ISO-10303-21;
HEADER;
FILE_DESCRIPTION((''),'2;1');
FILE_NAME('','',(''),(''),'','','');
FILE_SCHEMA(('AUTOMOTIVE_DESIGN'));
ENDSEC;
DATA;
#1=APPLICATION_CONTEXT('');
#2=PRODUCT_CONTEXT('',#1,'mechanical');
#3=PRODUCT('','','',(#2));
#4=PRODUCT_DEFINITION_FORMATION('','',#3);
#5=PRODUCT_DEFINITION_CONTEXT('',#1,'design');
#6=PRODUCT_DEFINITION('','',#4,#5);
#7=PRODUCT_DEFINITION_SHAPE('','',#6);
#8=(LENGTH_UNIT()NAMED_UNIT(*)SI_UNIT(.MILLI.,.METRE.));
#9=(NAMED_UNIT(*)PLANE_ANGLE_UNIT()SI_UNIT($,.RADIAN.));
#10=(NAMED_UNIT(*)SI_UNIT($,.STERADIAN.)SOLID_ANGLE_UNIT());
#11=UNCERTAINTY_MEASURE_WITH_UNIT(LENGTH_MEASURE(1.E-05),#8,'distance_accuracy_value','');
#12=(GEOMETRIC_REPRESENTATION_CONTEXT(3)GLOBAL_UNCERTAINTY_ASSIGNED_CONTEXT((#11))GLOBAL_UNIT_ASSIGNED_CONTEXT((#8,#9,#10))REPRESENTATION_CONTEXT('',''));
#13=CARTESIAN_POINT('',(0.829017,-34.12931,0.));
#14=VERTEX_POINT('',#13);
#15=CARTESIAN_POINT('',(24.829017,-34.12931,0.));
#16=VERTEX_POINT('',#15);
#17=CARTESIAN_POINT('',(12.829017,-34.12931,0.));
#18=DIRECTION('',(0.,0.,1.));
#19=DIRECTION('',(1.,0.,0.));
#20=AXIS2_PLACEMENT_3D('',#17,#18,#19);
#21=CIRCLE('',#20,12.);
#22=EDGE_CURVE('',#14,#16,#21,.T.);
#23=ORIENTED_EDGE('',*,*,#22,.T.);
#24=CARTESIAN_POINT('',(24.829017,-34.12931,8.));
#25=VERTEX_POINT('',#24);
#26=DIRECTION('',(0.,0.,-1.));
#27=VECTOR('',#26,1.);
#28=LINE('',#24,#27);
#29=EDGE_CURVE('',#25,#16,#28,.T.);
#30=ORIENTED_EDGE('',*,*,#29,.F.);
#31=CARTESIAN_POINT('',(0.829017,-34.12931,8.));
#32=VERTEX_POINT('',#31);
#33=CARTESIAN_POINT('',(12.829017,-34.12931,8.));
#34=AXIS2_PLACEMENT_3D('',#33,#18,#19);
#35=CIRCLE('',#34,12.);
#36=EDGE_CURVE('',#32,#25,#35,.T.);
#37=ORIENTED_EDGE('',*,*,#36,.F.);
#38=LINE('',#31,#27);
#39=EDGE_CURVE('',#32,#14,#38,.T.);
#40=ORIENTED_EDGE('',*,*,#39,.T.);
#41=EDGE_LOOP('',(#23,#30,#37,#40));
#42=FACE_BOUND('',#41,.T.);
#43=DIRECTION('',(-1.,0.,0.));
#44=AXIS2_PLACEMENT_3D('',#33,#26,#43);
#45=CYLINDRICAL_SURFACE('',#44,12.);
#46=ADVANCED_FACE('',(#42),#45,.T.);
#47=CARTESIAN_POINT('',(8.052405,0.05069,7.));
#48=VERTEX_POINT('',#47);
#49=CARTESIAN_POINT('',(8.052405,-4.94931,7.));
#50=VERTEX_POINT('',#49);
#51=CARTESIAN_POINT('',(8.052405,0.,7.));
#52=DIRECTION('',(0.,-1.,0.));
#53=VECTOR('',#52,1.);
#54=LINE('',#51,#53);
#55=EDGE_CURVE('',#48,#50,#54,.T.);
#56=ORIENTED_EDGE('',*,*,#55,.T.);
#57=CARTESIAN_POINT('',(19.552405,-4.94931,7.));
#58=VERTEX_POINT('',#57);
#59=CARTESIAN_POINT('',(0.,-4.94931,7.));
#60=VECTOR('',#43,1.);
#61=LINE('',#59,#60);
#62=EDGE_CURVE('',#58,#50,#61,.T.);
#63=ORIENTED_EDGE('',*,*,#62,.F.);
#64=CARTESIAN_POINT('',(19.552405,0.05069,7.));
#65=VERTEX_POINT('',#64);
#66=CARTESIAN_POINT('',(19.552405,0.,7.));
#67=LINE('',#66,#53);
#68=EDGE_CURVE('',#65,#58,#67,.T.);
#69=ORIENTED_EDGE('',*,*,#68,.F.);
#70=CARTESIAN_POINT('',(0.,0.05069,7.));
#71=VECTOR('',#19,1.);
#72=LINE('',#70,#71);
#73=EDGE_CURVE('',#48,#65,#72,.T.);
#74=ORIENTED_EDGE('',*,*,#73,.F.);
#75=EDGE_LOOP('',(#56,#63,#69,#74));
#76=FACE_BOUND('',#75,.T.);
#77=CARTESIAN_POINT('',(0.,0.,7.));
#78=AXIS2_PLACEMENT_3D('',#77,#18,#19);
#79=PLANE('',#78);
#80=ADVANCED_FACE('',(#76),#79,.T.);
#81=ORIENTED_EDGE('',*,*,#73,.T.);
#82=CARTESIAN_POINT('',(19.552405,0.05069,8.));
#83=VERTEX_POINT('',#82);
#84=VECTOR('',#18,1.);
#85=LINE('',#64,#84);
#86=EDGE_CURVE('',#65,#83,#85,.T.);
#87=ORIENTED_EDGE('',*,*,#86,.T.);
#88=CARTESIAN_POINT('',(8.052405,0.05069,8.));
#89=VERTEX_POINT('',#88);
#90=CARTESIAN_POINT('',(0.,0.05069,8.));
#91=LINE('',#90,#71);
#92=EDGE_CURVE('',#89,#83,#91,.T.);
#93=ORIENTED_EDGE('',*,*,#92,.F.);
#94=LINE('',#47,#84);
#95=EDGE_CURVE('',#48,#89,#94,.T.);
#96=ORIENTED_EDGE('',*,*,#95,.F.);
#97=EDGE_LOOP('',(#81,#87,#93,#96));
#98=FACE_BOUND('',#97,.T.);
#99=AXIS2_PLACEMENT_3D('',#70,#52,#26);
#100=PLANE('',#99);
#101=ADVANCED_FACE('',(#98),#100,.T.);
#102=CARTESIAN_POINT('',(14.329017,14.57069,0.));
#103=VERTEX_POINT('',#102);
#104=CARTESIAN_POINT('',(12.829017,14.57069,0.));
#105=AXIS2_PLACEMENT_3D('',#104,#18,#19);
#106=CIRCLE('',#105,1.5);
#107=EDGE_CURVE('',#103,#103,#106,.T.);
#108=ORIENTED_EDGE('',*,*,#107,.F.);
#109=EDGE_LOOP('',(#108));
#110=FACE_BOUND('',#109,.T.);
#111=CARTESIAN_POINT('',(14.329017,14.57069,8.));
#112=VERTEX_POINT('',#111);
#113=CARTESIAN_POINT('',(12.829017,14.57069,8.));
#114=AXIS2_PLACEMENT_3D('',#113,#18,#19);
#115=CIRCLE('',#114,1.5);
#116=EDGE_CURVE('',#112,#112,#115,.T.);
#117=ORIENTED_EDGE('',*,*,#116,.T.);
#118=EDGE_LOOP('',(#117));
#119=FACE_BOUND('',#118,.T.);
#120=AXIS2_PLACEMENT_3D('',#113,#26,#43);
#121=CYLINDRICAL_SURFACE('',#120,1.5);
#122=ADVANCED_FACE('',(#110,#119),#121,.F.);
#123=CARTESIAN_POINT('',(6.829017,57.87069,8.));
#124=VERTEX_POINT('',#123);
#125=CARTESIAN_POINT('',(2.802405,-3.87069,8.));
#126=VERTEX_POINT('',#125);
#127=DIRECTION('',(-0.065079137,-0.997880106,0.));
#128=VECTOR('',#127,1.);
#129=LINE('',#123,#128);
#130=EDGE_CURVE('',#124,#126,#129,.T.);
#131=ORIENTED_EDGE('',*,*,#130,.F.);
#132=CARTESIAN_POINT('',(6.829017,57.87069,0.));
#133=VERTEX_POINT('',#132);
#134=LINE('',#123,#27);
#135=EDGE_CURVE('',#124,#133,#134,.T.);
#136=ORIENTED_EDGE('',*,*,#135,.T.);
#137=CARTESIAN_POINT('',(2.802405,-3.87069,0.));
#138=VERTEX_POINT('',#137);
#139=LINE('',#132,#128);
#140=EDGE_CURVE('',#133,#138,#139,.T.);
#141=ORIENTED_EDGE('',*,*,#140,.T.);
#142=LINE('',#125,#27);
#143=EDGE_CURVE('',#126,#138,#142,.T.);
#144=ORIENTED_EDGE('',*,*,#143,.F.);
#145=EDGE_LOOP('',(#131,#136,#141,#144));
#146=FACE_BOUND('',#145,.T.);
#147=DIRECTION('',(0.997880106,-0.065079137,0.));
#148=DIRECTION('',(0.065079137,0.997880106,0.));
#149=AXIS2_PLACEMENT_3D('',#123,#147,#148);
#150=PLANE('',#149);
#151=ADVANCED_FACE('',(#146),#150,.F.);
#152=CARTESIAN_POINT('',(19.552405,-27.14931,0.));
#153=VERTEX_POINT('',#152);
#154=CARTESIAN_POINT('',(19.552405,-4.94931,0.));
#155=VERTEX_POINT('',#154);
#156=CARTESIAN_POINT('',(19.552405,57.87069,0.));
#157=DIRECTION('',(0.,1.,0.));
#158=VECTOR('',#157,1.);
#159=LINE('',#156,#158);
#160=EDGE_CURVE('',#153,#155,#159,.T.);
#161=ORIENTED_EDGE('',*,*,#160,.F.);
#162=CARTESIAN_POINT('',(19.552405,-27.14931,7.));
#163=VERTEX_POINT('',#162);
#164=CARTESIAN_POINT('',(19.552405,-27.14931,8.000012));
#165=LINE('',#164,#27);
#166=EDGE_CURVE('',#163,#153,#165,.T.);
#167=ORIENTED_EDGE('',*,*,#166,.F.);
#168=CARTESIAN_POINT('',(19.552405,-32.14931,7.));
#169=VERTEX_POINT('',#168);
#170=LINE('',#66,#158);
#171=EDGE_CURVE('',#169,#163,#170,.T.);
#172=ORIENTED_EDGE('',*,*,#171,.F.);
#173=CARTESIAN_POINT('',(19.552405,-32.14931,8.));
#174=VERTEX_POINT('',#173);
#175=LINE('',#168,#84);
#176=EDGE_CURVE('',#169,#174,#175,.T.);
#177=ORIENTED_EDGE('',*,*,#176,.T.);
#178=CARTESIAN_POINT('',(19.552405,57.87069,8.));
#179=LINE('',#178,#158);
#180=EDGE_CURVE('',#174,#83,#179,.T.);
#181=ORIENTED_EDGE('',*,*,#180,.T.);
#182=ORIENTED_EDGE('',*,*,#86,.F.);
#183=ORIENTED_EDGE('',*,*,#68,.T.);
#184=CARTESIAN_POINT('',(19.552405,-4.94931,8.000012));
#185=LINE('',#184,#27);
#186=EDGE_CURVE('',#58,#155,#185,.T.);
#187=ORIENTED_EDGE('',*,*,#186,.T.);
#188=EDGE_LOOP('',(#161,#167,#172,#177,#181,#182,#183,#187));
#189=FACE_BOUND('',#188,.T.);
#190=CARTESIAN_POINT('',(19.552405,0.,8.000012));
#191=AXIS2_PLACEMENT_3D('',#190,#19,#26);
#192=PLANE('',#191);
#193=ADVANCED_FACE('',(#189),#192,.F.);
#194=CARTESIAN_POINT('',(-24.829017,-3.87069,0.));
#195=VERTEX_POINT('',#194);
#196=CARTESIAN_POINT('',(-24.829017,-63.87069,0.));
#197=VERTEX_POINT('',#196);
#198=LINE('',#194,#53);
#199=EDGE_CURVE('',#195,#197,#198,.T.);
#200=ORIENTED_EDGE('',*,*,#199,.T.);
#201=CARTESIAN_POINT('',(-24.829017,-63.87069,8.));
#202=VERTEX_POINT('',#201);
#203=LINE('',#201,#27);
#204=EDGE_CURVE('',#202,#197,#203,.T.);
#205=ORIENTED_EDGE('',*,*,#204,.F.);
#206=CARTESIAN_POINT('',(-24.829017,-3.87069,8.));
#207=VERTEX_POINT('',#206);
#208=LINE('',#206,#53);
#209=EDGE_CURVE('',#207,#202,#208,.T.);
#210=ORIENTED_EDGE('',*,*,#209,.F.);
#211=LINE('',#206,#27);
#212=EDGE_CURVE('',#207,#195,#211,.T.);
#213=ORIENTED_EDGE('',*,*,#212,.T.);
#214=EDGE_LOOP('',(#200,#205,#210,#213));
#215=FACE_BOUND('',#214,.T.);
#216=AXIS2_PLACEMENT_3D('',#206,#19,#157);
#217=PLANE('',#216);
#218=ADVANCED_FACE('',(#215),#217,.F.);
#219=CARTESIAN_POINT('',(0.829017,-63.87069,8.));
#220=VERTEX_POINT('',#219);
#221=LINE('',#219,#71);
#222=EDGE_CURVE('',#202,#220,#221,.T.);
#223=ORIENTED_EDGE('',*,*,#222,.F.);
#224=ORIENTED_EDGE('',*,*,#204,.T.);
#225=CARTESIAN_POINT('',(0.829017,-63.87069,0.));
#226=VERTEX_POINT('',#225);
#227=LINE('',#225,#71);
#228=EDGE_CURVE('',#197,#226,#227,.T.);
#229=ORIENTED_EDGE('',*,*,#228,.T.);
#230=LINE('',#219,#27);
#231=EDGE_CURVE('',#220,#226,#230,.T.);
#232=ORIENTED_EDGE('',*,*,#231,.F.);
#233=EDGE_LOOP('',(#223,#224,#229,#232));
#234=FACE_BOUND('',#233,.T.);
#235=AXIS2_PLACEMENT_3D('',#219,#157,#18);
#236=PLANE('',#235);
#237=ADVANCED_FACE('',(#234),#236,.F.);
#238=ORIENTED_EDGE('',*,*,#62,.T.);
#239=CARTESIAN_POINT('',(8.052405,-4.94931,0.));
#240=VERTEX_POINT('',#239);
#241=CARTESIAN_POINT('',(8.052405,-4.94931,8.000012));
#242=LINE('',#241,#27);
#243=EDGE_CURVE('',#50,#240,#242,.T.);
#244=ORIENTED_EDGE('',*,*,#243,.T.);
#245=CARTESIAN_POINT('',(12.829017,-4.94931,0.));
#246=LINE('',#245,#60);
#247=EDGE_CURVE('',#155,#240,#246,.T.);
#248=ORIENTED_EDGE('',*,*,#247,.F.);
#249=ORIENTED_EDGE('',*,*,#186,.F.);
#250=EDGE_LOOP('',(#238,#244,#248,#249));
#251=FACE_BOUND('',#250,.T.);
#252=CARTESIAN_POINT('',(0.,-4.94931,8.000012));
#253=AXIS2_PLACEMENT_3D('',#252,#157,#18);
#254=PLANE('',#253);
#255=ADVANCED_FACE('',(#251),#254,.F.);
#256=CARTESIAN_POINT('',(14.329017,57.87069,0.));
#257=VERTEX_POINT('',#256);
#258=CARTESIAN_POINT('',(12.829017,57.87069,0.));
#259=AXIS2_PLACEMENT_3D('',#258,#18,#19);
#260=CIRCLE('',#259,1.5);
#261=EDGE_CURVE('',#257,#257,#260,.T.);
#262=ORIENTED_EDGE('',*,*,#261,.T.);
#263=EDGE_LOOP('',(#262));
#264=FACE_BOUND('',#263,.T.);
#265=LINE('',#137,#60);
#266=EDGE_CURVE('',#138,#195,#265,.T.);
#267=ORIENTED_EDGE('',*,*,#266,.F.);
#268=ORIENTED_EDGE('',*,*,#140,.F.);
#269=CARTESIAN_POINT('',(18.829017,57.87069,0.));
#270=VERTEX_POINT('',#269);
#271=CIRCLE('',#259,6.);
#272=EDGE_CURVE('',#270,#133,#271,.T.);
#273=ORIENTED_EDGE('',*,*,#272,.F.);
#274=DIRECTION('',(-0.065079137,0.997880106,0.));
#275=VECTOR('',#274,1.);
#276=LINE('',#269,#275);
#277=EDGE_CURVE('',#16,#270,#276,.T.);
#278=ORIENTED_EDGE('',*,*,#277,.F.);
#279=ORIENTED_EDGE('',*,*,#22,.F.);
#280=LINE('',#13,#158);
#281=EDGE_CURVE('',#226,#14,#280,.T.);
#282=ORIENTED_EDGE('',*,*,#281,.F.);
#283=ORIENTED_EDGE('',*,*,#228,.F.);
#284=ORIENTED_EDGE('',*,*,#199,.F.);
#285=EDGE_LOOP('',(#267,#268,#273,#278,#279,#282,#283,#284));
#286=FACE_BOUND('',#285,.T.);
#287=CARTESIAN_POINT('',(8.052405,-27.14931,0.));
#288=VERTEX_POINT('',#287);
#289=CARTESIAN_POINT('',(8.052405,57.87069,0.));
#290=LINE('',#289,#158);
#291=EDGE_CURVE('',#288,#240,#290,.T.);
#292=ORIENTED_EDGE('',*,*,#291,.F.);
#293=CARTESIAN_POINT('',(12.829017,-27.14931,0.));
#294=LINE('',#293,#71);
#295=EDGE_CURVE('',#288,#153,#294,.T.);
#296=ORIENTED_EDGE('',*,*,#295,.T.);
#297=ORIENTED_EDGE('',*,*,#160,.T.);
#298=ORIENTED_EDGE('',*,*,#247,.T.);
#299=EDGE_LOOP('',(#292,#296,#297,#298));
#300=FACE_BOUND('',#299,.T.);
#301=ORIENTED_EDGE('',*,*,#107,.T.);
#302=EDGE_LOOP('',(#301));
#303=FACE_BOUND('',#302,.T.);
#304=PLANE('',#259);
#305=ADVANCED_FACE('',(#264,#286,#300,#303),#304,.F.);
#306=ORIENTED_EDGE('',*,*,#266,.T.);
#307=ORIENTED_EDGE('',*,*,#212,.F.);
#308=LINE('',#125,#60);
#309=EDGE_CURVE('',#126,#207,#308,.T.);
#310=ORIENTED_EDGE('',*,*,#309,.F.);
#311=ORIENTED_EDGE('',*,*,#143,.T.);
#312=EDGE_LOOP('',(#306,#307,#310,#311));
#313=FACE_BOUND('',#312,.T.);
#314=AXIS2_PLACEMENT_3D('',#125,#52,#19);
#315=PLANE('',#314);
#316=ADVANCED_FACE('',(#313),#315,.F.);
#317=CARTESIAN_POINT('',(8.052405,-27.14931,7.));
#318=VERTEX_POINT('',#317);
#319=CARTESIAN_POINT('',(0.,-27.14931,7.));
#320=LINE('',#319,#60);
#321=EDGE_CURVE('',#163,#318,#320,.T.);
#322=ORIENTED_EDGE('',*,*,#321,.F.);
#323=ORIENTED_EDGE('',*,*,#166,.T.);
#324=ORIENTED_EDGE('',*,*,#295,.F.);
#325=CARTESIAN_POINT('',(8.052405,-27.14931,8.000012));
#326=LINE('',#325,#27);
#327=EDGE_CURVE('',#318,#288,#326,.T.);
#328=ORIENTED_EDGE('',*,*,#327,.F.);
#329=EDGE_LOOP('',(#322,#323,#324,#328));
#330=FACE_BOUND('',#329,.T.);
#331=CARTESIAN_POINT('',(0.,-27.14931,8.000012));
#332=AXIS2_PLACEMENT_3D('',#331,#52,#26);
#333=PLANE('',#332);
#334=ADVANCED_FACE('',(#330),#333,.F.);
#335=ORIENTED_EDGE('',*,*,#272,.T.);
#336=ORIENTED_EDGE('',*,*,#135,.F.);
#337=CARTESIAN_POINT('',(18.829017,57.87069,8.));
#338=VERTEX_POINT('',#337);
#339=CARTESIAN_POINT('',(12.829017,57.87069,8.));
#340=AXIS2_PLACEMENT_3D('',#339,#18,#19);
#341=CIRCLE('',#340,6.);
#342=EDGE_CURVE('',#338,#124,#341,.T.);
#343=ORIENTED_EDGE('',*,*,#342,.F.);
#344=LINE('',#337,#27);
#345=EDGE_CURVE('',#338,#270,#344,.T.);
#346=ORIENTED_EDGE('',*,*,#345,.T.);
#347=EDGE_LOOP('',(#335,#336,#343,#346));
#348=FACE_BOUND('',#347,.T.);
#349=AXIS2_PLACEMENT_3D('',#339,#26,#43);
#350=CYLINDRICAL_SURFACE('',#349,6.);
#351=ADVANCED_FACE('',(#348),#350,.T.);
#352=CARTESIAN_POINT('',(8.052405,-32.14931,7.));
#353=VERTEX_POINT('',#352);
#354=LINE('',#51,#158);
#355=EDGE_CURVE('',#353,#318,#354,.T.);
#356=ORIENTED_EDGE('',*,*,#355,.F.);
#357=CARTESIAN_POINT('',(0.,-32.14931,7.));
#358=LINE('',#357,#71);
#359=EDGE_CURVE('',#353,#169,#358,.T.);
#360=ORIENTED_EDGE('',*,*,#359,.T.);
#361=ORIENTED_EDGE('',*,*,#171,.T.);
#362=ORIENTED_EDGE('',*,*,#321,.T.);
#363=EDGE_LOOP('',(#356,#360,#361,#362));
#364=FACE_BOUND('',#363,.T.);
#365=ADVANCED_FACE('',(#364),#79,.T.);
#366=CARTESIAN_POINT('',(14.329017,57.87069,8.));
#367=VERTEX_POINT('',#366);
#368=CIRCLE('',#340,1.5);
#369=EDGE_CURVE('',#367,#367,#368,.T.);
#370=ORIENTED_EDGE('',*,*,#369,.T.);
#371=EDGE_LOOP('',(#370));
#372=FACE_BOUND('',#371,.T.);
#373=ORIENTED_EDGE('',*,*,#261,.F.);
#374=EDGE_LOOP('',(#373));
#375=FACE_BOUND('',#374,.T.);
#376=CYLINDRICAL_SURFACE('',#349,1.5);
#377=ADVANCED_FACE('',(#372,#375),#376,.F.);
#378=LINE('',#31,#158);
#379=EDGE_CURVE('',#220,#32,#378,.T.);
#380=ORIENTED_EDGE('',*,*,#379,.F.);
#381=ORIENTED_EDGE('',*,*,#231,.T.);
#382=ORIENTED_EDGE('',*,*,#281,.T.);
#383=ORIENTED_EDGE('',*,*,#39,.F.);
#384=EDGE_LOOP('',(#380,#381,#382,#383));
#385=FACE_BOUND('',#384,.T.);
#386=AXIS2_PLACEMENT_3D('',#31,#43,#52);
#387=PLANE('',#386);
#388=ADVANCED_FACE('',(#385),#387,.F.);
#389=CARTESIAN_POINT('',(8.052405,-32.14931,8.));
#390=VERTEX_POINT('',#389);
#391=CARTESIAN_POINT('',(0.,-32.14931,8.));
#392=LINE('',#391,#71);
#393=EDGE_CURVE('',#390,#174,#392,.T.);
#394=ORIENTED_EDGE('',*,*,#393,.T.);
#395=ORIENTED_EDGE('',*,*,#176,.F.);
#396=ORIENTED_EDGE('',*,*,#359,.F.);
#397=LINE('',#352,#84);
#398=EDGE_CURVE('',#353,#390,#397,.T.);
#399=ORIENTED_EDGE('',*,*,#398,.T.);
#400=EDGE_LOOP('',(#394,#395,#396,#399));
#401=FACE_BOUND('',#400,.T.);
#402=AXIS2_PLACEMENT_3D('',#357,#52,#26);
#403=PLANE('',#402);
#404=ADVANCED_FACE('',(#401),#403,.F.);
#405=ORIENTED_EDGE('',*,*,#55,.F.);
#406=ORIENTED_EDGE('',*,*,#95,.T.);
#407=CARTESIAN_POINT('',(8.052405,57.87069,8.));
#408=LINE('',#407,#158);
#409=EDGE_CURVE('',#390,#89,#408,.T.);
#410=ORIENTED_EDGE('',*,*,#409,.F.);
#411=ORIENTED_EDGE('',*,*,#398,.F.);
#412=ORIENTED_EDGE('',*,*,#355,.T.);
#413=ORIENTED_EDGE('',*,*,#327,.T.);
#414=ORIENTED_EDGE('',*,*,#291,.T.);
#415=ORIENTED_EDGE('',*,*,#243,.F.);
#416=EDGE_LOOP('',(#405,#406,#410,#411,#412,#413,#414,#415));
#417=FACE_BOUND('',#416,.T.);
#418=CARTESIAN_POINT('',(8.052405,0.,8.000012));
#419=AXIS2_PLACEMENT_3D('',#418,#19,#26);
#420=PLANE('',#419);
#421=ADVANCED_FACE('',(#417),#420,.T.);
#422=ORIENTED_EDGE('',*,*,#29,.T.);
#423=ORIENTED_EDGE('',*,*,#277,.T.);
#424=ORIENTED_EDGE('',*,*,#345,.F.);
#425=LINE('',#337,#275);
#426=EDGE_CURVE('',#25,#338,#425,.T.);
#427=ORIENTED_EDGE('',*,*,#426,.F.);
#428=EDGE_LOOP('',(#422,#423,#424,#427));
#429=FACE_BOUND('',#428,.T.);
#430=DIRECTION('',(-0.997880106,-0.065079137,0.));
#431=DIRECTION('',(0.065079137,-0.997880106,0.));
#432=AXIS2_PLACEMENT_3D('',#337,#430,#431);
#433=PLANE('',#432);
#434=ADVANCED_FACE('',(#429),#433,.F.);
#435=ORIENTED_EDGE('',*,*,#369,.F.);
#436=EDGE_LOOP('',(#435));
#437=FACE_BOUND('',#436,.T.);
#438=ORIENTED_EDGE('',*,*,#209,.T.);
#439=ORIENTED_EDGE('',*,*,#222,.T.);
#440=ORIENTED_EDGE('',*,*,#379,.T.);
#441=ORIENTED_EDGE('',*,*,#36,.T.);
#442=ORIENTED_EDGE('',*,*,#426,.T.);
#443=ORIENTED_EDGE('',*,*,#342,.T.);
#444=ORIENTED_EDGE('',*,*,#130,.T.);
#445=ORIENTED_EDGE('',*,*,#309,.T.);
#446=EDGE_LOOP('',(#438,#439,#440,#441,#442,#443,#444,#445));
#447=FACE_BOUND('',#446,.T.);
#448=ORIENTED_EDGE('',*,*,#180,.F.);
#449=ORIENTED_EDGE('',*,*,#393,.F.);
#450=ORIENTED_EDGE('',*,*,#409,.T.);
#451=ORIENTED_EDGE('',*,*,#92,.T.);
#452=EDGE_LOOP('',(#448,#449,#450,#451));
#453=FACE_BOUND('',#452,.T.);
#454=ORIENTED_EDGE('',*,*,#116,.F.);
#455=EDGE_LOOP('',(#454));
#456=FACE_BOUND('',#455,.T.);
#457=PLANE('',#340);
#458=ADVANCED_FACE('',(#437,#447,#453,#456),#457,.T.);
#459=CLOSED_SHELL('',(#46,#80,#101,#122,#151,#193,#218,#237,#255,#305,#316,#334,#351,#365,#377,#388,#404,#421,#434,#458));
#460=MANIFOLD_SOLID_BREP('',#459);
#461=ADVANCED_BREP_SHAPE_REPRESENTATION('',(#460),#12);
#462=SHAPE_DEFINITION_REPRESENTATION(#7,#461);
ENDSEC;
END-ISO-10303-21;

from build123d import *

# Parameters (mm, degrees)
SKETCH1_R               = 1.5
BOSS_EXTRUDE1_DEPTH     = 8
CUT_EXTRUDE1_DEPTH      = 69.992355237
CUT_EXTRUDE1_DEPTH_BACK = 20
SKETCH2_W               = 11.5
SKETCH2_H               = 22.2
SKETCH2_3_W             = 11.5
SKETCH2_3_H             = 5
CUT_EXTRUDE2_DEPTH      = 1


with BuildPart() as part:
    # Sketch1 → Boss-Extrude1 (new body)
    with BuildSketch(Plane.XY):
        with BuildLine():
            Line((18.829016979, 57.870689655), (24.829016979, -34.129310345))
            ThreePointArc((24.829016979, -34.129310345), (12.829016979, -46.129310345), (0.829016979, -34.129310345))
            Line((0.829016979, -34.129310345), (0.829016979, -63.870689655))
            Line((0.829016979, -63.870689655), (-24.829016979, -63.870689655))
            Line((-24.829016979, -63.870689655), (-24.829016979, -3.870689655))
            Line((-24.829016979, -3.870689655), (2.802405285, -3.870689655))
            Line((2.802405285, -3.870689655), (6.829016979, 57.870689655))
            ThreePointArc((6.829016979, 57.870689655), (12.829016979, 63.870689655), (18.829016979, 57.870689655))
        make_face()
        with Locations((12.829016979, 57.870689655)):
            Circle(SKETCH1_R, mode=Mode.SUBTRACT)
        with Locations((12.829016979, 14.570689655)):
            Circle(SKETCH1_R, mode=Mode.SUBTRACT)
    extrude(amount=BOSS_EXTRUDE1_DEPTH)

    # Sketch2 → Cut-Extrude1 (cut, two sides: drawn at the far end of the back side and taken through both)
    with BuildSketch(Plane.XY.offset(8).offset(-CUT_EXTRUDE1_DEPTH_BACK)):
        with Locations((13.802405285, -16.049310345)):
            Rectangle(SKETCH2_W, SKETCH2_H)
    extrude(amount=CUT_EXTRUDE1_DEPTH + CUT_EXTRUDE1_DEPTH_BACK, mode=Mode.SUBTRACT)

    # Sketch2<3> → Cut-Extrude2 (cut)
    with BuildSketch(Plane.XY.offset(8)):
        with Locations((13.802405285, -2.449310345)):
            Rectangle(SKETCH2_3_W, SKETCH2_3_H)
        with Locations((13.802405285, -29.649310345)):
            Rectangle(SKETCH2_3_W, SKETCH2_3_H)
    extrude(amount=-CUT_EXTRUDE2_DEPTH, mode=Mode.SUBTRACT)


solid = part.part
